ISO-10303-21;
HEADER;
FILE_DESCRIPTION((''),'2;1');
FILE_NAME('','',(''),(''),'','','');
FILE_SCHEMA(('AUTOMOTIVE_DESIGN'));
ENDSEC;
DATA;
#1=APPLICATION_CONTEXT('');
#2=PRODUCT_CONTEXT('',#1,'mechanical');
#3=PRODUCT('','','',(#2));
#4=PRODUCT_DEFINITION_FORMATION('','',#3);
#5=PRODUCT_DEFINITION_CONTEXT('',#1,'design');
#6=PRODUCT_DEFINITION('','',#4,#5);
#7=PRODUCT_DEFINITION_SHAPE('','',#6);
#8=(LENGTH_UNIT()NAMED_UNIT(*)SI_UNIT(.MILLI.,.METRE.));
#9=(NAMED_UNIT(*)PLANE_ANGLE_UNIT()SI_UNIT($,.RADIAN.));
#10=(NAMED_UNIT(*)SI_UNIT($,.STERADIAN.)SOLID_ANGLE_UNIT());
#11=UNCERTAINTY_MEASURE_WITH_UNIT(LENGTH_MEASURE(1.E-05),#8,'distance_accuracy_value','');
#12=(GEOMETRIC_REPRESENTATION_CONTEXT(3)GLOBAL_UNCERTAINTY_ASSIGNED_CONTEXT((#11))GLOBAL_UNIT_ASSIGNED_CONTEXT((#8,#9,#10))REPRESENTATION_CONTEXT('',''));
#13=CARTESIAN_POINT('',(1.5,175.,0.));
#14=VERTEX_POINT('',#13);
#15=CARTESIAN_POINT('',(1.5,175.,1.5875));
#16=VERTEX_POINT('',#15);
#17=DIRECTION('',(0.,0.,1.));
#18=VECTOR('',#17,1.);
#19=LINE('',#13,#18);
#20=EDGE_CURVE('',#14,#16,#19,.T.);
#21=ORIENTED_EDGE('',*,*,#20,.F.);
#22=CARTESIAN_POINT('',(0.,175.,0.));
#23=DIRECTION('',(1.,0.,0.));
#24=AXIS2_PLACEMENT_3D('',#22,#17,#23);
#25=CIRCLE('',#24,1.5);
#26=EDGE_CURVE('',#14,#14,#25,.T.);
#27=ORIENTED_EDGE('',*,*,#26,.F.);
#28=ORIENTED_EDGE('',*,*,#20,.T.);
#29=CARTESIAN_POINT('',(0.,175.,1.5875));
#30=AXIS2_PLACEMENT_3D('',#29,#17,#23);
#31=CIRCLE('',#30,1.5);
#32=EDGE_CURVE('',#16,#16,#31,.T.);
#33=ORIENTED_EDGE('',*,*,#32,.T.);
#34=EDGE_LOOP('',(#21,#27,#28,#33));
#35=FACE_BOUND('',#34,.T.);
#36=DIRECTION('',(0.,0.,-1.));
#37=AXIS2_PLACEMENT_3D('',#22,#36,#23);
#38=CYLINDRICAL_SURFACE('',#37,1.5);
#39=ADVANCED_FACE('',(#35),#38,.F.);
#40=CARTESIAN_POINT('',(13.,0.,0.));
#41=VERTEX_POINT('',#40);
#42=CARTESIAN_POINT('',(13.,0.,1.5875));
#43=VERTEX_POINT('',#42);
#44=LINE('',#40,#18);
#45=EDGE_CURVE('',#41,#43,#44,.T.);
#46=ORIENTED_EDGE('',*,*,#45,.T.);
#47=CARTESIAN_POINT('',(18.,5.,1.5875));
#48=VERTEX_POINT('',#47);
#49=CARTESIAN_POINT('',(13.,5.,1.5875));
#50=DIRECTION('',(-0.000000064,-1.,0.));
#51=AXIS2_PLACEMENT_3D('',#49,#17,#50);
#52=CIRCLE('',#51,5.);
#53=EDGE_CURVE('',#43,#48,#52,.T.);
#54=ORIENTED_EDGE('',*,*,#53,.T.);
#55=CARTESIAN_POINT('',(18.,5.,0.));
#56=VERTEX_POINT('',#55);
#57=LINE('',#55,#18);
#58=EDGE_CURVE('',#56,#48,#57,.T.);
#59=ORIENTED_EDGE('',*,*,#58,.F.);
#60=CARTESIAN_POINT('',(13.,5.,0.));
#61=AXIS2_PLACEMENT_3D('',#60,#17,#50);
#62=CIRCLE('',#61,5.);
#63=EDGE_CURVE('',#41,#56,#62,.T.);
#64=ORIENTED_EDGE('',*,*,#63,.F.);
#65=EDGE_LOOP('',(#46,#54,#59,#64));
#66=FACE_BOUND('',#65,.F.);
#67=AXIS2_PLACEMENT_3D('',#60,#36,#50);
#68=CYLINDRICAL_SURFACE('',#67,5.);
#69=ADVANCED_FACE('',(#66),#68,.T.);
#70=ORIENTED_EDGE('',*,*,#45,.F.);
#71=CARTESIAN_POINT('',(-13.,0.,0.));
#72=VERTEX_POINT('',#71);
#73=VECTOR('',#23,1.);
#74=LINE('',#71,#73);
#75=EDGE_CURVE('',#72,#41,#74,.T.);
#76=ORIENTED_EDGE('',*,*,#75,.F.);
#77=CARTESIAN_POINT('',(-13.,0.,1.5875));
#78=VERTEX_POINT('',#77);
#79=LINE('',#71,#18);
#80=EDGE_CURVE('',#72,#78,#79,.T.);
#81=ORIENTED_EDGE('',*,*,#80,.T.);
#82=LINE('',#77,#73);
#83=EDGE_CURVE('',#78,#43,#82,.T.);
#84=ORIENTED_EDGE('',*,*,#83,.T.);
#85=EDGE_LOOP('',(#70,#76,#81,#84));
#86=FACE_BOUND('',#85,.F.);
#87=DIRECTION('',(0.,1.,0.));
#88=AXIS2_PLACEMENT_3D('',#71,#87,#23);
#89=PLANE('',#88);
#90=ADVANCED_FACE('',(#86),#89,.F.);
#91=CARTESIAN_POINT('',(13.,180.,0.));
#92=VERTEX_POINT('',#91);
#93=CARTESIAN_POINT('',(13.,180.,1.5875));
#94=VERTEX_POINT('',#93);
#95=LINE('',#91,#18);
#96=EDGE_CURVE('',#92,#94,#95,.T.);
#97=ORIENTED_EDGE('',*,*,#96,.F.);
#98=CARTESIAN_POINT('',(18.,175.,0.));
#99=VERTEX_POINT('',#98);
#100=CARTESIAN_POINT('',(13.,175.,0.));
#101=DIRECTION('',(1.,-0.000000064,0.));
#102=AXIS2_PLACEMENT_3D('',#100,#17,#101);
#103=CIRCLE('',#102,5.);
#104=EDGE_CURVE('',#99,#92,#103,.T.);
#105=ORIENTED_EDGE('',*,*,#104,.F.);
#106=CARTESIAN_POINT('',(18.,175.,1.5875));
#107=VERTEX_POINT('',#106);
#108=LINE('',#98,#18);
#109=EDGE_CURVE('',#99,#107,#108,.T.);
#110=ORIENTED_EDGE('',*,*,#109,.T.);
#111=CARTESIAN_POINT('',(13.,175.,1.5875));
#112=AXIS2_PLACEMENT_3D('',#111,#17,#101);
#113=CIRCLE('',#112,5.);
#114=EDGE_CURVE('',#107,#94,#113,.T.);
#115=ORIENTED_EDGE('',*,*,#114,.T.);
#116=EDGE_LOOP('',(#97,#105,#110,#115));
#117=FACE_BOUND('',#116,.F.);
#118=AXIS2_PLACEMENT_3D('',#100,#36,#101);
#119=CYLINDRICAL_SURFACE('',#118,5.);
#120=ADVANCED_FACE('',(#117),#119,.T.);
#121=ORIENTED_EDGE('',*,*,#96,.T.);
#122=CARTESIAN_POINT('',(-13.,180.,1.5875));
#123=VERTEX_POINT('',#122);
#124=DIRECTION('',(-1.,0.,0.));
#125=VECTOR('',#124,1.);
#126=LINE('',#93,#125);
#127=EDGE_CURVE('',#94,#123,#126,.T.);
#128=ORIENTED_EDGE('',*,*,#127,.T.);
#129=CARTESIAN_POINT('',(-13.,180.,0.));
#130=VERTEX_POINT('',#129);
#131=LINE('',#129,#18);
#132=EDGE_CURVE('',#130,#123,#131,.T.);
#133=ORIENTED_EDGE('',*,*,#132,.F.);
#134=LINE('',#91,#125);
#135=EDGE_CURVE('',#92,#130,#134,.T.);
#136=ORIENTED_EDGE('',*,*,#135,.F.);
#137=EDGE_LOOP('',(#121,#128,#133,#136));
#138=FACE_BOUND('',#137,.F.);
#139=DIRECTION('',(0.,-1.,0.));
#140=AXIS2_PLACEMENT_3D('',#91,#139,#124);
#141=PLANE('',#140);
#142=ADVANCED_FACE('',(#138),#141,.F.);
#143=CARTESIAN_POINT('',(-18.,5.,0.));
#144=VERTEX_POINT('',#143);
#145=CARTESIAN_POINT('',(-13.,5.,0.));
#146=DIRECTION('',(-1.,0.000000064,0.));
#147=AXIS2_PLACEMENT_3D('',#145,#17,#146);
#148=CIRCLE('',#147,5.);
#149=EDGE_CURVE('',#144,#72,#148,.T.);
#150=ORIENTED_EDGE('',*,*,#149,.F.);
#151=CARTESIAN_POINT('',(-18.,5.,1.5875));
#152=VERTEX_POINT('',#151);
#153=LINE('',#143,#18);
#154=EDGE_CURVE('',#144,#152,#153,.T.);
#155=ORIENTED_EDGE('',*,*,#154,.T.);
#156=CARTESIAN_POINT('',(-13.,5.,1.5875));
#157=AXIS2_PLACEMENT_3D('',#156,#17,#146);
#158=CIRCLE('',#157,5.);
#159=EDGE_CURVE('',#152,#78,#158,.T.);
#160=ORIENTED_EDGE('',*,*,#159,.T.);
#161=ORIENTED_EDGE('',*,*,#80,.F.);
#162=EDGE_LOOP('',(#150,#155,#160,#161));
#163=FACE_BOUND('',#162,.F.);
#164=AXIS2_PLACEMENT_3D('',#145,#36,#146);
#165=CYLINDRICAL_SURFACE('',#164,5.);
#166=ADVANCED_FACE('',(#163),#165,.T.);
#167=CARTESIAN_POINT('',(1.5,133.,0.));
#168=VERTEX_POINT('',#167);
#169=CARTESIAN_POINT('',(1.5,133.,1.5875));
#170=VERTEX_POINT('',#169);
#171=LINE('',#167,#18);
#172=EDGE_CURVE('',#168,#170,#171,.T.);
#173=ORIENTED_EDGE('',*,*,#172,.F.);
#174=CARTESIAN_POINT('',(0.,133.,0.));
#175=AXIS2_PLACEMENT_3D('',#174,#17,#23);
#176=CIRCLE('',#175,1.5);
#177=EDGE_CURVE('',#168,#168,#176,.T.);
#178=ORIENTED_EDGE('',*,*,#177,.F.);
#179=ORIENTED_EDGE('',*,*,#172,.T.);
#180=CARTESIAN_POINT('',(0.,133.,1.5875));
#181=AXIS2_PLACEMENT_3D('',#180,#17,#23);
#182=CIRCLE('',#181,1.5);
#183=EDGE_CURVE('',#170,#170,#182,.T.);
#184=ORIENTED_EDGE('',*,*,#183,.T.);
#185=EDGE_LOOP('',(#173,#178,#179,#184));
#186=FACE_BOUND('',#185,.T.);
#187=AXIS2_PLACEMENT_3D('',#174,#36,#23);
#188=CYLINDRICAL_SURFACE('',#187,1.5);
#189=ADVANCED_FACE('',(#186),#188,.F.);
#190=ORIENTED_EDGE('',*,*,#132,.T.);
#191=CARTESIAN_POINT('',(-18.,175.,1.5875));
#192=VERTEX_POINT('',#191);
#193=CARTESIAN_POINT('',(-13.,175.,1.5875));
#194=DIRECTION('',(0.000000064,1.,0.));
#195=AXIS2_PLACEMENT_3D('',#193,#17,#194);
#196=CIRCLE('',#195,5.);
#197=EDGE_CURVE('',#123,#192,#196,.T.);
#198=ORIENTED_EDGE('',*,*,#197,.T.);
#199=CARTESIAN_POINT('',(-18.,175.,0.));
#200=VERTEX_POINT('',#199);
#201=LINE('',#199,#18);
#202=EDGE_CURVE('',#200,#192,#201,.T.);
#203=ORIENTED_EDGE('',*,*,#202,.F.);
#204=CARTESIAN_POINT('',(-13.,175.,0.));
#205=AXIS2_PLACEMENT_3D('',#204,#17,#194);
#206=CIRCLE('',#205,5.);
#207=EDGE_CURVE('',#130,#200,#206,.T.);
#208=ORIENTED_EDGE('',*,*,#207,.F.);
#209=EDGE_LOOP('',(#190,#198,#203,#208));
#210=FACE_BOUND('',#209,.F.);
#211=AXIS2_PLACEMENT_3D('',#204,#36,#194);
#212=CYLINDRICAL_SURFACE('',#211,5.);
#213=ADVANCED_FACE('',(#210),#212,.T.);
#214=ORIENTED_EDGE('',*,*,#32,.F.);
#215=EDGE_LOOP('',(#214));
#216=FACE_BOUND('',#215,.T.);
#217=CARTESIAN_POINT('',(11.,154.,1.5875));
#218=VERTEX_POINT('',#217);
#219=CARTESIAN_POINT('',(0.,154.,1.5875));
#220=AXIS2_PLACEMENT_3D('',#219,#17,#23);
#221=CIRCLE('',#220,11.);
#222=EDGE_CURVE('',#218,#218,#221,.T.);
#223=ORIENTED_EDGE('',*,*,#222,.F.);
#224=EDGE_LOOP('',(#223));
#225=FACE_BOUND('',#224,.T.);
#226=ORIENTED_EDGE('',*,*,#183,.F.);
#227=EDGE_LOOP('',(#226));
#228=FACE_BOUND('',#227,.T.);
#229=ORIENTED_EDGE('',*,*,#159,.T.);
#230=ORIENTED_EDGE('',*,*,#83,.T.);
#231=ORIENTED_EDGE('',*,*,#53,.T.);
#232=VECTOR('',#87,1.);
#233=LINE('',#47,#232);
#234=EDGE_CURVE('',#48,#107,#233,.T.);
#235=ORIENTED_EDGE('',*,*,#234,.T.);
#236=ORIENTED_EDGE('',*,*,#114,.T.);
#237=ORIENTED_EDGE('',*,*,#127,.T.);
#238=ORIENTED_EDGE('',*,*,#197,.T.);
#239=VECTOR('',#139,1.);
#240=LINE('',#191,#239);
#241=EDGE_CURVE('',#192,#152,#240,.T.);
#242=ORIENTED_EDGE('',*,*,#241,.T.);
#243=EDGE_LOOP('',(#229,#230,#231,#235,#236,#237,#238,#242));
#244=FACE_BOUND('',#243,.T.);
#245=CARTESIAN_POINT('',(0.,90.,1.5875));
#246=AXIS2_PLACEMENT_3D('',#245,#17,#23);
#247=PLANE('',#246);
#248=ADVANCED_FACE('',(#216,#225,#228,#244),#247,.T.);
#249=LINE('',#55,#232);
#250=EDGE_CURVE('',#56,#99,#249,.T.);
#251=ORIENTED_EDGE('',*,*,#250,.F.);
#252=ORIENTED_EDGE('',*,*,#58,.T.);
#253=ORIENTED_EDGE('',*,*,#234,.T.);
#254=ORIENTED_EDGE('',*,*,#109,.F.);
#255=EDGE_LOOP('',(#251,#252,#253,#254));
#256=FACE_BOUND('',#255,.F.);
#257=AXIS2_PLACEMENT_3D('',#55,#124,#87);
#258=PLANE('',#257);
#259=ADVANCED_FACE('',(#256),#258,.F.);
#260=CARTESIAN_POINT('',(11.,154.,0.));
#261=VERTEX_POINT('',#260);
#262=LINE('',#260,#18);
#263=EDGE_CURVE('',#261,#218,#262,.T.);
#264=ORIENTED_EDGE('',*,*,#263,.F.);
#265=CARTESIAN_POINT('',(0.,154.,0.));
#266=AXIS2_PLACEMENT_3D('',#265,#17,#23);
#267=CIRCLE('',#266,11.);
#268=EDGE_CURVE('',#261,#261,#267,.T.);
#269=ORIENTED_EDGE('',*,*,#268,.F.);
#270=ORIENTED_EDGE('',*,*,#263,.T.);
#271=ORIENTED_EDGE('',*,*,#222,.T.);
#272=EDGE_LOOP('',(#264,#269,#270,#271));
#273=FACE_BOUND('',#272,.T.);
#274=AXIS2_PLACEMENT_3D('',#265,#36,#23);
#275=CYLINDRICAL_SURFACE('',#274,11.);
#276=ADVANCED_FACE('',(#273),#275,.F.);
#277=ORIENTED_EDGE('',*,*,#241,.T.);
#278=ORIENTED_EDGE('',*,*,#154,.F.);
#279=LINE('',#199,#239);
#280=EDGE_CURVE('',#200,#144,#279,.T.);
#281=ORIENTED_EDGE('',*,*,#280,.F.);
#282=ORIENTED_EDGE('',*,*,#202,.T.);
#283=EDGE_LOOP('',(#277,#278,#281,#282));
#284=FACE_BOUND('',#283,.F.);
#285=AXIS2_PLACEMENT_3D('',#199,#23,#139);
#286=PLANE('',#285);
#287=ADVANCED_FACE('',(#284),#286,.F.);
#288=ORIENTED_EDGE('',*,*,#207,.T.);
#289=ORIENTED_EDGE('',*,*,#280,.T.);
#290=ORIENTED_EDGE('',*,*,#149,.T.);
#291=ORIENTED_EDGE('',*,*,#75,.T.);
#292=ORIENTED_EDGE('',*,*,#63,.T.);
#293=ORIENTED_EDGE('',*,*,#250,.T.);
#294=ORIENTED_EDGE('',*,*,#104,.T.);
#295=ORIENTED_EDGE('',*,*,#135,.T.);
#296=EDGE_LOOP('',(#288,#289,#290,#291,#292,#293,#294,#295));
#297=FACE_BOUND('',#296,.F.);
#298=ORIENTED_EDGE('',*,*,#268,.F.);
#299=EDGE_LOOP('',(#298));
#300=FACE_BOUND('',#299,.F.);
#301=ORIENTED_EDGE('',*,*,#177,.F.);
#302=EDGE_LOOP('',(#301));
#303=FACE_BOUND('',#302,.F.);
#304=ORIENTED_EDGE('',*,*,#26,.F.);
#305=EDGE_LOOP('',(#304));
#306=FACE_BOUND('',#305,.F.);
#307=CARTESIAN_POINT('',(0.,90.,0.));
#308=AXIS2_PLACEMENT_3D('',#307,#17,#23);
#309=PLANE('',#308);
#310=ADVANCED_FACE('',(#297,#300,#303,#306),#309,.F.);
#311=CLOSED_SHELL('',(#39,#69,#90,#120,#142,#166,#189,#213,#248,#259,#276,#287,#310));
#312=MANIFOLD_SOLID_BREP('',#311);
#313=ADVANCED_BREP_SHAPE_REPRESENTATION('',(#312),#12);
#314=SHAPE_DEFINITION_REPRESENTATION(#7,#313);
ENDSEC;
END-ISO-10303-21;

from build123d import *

# Parameters (mm, degrees)
F0_R     = 1.5
F0_R_2   = 11
F1_DEPTH = 1.5875


with BuildPart() as f1:
    # F0 (on Top) → F1 (new body)
    with BuildSketch(Plane.XY):
        with BuildLine():
            Line((13, 180), (-13, 180))
            ThreePointArc((-13, 180), (-16.535534, 178.535534), (-18, 175))
            Line((-18, 175), (-18, 5))
            ThreePointArc((-18, 5), (-16.535534, 1.464466), (-13, 0))
            Line((-13, 0), (13, 0))
            ThreePointArc((13, 0), (16.535534, 1.464466), (18, 5))
            Line((18, 5), (18, 175))
            ThreePointArc((18, 175), (16.535534, 178.535534), (13, 180))
        make_face()
        with Locations((0, 133)):
            Circle(F0_R, mode=Mode.SUBTRACT)
        with Locations((0, 154)):
            Circle(F0_R_2, mode=Mode.SUBTRACT)
        with Locations((0, 175)):
            Circle(F0_R, mode=Mode.SUBTRACT)
    extrude(amount=F1_DEPTH)


solid = f1.part
